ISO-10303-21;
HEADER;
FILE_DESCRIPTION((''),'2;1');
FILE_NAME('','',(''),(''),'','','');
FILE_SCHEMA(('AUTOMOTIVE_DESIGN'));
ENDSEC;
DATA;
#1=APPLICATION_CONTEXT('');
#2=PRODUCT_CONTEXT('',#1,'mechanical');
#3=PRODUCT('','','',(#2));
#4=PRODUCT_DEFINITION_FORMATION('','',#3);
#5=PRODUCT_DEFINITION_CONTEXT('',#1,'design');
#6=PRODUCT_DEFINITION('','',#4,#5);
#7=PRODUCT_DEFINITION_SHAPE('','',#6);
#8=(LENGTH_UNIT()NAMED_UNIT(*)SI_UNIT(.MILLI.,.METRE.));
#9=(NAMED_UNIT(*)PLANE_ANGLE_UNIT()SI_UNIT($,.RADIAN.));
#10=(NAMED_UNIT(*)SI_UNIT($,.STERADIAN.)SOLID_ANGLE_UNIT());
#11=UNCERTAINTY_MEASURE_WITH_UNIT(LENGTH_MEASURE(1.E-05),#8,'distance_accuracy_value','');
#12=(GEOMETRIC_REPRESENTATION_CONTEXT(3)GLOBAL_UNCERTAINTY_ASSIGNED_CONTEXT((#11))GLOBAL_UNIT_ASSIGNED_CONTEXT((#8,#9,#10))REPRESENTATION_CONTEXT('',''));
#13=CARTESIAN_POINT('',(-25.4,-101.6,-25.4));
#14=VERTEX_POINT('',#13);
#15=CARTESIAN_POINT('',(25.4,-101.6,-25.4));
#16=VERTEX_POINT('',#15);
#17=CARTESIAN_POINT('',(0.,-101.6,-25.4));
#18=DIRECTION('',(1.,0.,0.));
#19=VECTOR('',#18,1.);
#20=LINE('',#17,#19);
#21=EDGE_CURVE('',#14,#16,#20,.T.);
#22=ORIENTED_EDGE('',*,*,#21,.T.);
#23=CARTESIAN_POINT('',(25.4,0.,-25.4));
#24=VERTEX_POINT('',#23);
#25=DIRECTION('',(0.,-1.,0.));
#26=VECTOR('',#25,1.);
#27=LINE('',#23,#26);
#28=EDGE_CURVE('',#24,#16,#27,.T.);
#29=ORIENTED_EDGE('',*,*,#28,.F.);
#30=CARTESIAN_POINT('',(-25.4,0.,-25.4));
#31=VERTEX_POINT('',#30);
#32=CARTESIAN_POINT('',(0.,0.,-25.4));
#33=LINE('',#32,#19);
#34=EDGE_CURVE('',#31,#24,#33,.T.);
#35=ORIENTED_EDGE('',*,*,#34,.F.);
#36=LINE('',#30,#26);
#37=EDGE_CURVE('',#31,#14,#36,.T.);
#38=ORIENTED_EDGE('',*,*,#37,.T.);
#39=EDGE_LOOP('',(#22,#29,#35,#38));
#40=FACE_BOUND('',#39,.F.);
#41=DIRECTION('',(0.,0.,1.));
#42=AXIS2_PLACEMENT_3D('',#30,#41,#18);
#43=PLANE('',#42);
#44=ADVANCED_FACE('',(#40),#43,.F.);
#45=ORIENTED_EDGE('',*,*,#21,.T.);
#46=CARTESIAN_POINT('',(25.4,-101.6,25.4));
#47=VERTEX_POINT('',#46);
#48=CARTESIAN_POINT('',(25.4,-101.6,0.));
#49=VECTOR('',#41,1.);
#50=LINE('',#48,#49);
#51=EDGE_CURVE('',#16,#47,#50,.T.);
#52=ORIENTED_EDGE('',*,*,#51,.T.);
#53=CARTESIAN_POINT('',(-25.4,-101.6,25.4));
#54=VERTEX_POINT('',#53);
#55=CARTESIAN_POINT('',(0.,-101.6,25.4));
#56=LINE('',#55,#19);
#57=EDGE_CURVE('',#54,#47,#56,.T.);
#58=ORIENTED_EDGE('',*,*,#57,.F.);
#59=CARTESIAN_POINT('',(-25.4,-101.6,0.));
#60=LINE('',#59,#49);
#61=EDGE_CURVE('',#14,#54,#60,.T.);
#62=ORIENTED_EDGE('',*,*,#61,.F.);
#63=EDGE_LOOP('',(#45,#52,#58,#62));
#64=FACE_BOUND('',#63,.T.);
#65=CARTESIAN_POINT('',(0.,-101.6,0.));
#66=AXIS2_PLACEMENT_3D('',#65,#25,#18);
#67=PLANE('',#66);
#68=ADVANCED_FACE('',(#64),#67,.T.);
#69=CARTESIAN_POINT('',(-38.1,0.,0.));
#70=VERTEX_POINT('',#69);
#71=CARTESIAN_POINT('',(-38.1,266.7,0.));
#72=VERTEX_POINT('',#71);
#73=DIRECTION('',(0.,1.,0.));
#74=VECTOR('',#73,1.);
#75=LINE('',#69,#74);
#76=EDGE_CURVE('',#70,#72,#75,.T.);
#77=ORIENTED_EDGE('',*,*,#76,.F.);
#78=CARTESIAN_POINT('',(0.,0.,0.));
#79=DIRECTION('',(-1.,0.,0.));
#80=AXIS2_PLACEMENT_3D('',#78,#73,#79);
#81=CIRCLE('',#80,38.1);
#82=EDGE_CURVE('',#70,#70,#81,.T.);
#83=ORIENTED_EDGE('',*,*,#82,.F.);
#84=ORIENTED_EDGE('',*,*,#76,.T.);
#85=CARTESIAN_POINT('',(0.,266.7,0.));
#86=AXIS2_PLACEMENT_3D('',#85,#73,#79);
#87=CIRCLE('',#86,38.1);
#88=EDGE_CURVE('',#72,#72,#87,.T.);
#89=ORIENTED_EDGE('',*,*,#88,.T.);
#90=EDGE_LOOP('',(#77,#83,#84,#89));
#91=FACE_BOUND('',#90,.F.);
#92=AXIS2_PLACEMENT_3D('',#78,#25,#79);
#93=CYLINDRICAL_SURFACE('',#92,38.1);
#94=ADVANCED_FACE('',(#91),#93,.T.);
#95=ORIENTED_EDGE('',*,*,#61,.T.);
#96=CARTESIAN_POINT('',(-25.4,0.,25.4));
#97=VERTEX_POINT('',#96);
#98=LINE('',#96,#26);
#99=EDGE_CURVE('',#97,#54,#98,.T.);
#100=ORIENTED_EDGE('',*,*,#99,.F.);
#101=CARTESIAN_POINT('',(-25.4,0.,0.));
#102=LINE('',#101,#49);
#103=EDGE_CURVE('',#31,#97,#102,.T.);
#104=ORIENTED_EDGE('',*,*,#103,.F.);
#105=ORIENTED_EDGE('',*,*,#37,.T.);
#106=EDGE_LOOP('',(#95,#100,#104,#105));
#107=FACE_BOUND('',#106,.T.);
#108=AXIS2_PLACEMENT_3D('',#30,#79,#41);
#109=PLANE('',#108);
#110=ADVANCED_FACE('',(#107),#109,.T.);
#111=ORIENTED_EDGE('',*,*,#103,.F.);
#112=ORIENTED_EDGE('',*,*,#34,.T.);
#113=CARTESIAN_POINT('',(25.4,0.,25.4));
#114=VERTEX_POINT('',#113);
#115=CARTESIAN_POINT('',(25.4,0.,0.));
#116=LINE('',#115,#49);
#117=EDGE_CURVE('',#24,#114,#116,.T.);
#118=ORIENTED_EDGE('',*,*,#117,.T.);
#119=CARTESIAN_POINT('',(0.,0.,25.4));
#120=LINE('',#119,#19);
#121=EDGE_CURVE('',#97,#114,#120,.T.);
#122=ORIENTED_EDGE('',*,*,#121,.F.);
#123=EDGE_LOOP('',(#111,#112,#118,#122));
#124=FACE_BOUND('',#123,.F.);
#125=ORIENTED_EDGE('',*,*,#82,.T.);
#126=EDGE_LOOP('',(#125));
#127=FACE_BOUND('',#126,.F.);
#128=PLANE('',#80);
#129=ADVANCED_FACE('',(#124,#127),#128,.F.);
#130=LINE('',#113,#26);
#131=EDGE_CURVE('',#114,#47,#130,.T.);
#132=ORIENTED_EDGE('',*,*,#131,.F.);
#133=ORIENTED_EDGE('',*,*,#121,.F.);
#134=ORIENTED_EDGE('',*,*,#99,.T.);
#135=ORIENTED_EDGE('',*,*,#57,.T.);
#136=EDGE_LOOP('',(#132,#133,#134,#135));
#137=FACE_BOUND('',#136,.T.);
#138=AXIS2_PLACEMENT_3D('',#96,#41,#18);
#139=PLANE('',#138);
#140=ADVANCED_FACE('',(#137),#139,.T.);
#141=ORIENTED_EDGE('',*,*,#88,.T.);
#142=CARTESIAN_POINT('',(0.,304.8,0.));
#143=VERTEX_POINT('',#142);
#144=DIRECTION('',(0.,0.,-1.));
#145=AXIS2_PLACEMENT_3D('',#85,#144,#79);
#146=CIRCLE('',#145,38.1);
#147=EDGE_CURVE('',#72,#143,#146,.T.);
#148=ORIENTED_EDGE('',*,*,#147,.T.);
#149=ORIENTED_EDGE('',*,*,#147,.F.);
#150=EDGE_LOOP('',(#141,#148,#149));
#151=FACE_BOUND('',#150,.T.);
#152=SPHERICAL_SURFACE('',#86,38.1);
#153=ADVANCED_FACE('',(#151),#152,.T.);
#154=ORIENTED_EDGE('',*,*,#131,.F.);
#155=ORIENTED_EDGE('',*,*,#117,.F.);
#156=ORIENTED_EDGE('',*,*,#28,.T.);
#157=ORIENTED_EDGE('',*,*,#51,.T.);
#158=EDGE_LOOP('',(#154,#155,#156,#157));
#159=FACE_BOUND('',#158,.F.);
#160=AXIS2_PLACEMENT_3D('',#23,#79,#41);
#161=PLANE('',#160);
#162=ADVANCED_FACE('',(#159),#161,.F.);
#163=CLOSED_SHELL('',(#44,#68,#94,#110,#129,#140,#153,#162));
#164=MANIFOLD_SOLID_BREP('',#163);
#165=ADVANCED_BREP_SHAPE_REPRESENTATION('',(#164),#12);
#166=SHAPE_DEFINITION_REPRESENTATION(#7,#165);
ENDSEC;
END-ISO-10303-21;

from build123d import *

# Parameters (mm, degrees)
F0_W     = 50.8
F0_H     = 50.8
F1_DEPTH = 101.6
F2_R     = 38.1
F3_DEPTH = 304.8
F4_R     = 38.1


with BuildPart() as f1:
    # F0 (on Front) → F1 (new body)
    with BuildSketch(Plane.XZ):
        Rectangle(F0_W, F0_H)
    extrude(amount=F1_DEPTH)

    # F2 (on face) → F3 (join)
    with BuildSketch(Plane(origin=(0, 0, 0), x_dir=(-1, 0, 0), z_dir=(0, 1, 0))):
        Circle(F2_R)
    extrude(amount=F3_DEPTH)

    # F4
    f4_edges = [f1.edges().sort_by_distance(p)[0] for p in [
        (38.1, 304.8, 0),
    ]]
    fillet(f4_edges, radius=F4_R)


solid = f1.part
